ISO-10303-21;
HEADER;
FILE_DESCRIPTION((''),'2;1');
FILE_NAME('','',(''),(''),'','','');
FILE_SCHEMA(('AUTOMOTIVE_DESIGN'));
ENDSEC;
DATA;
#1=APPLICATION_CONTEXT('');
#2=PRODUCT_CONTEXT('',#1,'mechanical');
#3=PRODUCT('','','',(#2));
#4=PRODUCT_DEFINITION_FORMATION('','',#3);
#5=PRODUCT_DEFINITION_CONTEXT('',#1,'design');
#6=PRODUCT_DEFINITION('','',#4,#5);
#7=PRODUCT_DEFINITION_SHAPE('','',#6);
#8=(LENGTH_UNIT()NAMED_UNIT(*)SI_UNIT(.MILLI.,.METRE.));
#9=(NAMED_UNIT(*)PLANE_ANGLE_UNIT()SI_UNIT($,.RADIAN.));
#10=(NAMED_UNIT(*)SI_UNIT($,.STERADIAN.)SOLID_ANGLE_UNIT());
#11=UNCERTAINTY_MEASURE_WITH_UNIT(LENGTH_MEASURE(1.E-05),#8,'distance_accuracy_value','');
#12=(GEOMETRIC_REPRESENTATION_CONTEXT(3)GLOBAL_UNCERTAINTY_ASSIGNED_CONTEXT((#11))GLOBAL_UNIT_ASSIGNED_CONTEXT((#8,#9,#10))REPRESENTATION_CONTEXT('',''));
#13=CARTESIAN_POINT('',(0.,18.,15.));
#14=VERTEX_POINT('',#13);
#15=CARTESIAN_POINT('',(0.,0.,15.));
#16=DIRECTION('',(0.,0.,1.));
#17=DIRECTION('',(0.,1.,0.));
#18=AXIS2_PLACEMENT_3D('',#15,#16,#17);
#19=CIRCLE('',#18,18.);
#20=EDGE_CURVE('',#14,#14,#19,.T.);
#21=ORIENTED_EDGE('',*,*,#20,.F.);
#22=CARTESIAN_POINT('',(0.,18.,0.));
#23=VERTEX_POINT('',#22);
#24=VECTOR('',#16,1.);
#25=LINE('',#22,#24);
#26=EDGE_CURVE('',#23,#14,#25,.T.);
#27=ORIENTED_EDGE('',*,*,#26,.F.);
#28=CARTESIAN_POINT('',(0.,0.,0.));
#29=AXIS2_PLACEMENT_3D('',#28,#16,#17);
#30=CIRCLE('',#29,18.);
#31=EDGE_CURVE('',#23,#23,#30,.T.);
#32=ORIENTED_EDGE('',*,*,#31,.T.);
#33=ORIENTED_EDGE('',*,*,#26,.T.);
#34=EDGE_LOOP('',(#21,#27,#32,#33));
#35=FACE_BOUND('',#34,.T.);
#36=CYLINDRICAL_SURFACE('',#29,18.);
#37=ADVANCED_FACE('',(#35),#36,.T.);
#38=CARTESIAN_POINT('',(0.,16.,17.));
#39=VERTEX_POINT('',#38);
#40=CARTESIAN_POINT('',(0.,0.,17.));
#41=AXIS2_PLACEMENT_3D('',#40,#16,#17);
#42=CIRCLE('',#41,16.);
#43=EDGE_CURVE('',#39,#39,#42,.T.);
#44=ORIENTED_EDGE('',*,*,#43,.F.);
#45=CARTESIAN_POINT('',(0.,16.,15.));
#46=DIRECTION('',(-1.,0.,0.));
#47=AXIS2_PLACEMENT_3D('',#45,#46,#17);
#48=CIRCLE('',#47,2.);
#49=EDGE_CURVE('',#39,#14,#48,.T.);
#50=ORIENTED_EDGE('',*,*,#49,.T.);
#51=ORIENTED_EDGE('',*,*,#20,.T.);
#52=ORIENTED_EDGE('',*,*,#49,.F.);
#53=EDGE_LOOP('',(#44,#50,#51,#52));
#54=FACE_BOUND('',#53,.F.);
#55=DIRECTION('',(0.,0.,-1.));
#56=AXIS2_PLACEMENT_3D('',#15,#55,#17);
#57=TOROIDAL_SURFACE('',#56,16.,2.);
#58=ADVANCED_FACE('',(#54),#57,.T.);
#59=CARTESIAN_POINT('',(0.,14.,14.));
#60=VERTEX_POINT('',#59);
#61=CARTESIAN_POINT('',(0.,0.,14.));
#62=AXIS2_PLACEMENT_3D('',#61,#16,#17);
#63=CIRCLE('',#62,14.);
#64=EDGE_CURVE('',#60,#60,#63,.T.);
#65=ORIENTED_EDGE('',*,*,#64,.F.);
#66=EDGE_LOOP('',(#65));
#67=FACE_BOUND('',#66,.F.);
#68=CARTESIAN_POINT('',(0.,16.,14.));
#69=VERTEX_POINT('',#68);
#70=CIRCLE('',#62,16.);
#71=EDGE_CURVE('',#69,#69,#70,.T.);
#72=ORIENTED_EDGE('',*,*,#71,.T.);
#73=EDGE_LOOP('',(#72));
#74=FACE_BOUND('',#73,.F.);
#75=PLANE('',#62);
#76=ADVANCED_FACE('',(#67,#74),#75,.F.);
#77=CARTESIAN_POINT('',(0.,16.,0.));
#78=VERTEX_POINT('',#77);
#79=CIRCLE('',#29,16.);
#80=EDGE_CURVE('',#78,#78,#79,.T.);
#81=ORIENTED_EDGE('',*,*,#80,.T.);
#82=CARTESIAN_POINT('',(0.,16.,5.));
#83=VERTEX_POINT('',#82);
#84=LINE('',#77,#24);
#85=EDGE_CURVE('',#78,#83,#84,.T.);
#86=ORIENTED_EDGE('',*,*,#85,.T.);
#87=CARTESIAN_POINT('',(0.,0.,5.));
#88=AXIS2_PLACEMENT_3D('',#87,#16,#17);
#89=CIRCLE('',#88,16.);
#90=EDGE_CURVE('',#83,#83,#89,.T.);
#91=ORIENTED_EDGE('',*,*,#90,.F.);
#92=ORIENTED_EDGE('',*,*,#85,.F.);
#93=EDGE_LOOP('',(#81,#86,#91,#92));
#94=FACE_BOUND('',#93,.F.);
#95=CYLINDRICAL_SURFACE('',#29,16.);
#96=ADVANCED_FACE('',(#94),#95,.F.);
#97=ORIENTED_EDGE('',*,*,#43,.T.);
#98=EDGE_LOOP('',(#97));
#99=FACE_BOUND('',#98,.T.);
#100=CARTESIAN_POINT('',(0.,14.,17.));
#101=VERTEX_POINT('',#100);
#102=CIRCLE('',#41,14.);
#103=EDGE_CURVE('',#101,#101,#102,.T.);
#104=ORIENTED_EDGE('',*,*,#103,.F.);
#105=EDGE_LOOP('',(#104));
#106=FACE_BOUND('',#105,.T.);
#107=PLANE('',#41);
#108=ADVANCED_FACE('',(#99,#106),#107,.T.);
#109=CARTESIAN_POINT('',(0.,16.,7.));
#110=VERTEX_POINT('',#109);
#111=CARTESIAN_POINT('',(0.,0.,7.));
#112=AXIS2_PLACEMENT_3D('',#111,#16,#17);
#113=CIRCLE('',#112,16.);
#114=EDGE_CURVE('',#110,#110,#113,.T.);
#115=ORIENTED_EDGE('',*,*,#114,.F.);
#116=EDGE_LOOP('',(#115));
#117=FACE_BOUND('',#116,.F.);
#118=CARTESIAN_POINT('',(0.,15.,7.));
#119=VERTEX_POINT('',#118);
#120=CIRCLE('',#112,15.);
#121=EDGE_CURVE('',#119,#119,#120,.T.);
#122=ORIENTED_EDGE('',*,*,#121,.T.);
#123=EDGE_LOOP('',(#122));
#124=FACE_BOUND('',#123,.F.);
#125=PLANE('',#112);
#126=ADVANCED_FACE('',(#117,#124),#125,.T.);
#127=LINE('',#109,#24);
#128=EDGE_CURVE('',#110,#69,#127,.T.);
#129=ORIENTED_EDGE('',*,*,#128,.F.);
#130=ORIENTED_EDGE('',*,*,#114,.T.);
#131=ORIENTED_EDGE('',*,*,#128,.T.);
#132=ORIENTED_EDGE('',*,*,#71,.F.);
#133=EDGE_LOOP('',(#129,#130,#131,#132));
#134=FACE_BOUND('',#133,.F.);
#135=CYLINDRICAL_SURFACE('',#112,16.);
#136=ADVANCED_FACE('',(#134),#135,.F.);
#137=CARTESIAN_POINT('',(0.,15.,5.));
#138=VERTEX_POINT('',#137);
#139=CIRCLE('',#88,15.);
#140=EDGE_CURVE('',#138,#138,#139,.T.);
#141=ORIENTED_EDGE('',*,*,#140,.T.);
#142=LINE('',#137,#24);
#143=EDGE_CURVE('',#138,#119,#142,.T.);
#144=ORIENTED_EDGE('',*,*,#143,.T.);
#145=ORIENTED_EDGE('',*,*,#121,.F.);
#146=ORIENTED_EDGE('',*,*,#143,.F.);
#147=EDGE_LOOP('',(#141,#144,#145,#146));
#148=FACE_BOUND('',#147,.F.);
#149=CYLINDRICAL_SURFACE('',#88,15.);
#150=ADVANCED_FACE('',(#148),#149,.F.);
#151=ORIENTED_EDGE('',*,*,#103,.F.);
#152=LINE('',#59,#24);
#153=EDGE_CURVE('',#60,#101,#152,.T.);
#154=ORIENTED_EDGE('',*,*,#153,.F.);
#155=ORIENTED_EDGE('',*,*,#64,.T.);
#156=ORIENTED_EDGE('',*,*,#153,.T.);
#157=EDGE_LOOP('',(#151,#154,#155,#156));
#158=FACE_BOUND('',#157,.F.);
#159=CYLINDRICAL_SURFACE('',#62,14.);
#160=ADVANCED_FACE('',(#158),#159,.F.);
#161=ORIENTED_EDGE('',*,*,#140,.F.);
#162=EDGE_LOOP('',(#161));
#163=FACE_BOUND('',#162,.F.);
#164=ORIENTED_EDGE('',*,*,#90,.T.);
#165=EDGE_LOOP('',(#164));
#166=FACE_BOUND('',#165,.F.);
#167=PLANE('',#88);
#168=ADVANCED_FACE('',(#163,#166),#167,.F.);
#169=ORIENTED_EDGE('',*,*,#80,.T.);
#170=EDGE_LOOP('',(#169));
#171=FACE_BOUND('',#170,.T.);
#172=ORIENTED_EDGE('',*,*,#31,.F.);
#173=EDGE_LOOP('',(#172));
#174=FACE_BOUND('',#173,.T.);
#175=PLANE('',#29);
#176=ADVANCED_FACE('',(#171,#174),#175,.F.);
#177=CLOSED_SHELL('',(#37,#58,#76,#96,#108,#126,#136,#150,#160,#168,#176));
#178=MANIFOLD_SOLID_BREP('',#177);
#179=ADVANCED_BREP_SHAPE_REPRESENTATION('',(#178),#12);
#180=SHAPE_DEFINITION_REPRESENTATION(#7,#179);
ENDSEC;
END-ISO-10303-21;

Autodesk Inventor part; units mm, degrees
ref_plane "YZ Plane" through (0, 0, 0) normal (1, 0, 0) x (0, 1, 0)
ref_plane "XZ Plane" through (0, 0, 0) normal (0, 1, 0) x (-1, 0, 0)
ref_plane "XY Plane" through (0, 0, 0) normal (0, 0, 1) x (1, 0, 0)
sketch "Sketch1" plane through (0, 0, 0) normal (1, 0, 0) x (0, 1, 0)
  line L0 (16, 0) -> (16, 5)
  line L1 (16, 5) -> (15, 5)
  line L2 (15, 5) -> (15, 7)
  line L3 (15, 7) -> (16, 7)
  line L4 (16, 7) -> (16, 14)
  line L5 (16, 14) -> (14, 14)
  line L6 (14, 14) -> (14, 17)
  line L7 (18, 0) -> (18, 17)
  line L8 (18, 17) -> (14, 17)
  line L9 (16, 0) -> (18, 0)
  line L10 (0, 0) -> (0, 15) construction
  dimension "d0" = 5
  dimension "d1" = 16
  dimension "d2" = 1
  dimension "d3" = 2
  dimension "d4" = 7
  dimension "d8" = 14
  dimension "d9" = 3
  dimension "d10" = 18
revolve "Revolution1" add sketch "Sketch1" angle 360 about axis through (0, 0, 0) along (0, 0, 1)
thread "Thread1" size "M28x2" class "6H" standard "ANSI Metric M Profile" full length
fillet "Fillet1" radius 2 1 edges at (0, -18, 17)
properties part number "201-02" material "PC/ABS Plastic"
